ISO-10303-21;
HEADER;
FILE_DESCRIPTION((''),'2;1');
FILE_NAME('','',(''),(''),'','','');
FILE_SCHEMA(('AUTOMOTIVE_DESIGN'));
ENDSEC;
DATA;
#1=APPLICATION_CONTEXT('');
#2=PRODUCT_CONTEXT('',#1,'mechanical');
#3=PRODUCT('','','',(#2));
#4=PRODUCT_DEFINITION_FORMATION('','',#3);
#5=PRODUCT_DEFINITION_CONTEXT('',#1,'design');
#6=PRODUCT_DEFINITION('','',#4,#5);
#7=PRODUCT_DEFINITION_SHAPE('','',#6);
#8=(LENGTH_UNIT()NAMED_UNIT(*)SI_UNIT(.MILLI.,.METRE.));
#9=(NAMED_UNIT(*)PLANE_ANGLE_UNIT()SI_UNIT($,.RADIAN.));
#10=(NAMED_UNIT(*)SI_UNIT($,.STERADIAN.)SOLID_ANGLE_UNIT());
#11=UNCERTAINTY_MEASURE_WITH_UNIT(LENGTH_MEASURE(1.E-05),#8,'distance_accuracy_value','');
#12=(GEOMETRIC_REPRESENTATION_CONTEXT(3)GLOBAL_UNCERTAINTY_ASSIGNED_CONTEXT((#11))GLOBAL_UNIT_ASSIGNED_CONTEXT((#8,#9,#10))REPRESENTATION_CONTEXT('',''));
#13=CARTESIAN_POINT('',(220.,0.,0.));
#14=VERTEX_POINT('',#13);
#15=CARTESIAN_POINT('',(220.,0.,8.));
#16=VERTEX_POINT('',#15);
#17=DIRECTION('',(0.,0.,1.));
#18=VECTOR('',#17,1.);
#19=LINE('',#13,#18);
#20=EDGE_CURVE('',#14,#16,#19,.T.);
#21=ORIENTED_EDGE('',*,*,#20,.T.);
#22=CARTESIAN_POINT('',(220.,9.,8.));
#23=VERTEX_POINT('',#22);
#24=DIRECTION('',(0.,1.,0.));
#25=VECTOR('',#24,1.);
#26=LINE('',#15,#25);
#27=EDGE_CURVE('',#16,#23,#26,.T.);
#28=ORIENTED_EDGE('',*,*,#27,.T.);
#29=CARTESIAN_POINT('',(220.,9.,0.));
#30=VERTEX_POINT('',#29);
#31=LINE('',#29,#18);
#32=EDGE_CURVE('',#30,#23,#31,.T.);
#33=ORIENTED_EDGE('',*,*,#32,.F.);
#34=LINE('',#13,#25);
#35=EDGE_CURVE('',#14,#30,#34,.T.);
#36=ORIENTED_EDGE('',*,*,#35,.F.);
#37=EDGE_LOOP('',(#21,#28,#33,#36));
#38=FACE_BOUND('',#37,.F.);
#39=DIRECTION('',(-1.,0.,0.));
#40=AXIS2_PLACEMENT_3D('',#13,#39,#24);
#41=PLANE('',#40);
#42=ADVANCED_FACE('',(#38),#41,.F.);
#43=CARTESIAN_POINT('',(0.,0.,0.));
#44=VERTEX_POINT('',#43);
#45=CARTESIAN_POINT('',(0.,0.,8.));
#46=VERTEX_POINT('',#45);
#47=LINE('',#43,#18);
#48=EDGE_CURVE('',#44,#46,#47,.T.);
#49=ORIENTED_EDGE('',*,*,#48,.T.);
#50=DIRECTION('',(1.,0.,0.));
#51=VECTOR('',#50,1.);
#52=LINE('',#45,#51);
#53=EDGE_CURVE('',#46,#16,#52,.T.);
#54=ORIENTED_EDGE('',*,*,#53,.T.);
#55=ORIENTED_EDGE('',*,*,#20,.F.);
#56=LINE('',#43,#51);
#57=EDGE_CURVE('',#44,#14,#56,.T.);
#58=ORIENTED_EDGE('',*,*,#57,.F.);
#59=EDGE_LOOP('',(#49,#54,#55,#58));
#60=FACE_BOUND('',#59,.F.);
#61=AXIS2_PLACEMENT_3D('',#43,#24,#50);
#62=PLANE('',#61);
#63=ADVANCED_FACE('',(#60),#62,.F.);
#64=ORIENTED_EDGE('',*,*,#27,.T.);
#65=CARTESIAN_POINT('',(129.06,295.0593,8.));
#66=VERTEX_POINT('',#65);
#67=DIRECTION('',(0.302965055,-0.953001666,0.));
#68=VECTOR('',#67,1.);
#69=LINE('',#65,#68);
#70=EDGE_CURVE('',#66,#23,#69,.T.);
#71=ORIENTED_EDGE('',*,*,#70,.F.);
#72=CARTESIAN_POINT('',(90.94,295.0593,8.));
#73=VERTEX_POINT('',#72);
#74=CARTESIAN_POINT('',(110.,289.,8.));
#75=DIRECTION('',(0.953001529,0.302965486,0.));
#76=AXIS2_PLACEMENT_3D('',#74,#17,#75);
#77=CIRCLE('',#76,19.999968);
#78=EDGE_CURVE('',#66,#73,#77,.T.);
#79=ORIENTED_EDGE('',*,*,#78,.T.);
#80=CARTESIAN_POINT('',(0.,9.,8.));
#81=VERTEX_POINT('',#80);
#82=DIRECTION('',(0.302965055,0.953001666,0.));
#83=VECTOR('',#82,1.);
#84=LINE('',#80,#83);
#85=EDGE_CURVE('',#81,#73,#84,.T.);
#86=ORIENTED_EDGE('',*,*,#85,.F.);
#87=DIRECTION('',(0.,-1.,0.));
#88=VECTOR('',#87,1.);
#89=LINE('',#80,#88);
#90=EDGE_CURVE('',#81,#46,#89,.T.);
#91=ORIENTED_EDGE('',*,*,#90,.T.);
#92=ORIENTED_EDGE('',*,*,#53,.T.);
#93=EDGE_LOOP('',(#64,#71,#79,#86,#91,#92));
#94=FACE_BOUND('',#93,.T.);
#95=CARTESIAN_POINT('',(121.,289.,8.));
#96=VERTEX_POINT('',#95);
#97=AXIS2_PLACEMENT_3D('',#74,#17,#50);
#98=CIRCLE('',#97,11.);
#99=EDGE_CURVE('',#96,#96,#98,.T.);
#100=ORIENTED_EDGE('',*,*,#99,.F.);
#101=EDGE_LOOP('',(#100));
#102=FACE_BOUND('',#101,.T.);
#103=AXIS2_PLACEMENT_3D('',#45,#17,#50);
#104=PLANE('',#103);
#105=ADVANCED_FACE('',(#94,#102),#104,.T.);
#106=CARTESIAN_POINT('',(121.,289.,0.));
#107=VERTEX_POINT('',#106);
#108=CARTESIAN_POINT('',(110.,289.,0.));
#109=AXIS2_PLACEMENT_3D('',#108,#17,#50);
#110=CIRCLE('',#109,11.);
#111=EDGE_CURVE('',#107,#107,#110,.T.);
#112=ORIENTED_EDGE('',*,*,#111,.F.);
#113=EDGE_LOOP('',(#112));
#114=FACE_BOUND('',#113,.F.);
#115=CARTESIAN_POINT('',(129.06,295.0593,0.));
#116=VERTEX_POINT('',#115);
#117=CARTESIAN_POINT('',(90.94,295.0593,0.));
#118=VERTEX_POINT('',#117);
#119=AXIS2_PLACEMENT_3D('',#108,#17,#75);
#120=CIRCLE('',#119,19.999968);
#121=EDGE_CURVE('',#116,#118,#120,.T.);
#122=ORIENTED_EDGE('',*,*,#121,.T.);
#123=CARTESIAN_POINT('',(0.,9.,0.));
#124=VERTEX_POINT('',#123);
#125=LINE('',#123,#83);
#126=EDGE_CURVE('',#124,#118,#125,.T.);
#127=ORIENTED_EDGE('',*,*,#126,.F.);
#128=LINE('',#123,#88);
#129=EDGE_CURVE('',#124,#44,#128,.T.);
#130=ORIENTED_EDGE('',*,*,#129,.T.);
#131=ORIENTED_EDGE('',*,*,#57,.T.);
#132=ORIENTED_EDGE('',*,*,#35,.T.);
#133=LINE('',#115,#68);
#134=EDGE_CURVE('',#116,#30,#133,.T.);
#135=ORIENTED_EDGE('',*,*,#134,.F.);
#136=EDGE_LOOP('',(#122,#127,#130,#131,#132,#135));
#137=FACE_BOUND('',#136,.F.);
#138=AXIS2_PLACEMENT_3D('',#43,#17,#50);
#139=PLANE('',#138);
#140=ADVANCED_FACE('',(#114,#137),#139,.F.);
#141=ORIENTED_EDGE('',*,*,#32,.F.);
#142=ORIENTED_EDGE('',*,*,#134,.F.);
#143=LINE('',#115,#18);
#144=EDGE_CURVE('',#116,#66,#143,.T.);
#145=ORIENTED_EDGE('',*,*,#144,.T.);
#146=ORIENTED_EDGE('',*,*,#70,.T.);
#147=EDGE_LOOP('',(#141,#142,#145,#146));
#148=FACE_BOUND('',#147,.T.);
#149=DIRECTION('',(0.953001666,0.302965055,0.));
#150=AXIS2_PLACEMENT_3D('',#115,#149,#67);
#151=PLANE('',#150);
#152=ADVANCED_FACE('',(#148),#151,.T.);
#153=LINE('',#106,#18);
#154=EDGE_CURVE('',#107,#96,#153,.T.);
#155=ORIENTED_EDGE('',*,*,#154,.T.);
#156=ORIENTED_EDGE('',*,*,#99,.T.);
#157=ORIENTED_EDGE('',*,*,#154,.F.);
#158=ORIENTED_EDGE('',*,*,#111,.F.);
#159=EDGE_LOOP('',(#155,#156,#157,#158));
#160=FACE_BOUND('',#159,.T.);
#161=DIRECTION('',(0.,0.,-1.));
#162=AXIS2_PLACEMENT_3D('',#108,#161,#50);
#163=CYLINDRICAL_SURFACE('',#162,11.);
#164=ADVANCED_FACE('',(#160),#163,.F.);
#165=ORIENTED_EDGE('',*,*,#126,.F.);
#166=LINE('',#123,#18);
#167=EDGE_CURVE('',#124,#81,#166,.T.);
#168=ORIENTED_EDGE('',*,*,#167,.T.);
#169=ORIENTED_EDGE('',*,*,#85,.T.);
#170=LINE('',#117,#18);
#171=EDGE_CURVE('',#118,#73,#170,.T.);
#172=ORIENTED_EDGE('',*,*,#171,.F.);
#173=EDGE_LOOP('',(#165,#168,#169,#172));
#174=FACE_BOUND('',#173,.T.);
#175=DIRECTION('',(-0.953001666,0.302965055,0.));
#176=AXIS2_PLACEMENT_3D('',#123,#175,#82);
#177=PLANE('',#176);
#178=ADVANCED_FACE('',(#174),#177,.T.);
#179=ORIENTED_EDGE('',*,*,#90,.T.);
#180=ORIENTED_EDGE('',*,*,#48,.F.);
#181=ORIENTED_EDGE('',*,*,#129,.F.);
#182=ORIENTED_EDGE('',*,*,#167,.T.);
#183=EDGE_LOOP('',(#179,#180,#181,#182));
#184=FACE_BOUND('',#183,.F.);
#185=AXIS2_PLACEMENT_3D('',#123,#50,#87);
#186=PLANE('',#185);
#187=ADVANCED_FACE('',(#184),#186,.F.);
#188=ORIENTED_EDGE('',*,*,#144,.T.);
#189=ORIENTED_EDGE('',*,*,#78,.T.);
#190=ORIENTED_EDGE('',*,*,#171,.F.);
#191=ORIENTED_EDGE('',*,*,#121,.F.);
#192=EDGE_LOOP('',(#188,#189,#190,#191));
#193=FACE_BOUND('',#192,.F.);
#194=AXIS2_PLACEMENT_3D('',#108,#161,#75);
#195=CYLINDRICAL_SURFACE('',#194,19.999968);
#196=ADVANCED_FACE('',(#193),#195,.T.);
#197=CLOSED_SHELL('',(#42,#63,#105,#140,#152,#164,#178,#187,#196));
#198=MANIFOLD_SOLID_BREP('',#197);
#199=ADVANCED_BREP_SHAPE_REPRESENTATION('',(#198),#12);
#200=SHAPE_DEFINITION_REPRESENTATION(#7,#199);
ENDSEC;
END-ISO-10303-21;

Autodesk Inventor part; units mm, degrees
ref_plane "YZ Plane" through (0, 0, 0) normal (1, 0, 0) x (0, 1, 0)
ref_plane "XZ Plane" through (0, 0, 0) normal (0, 1, 0) x (-1, 0, 0)
ref_plane "XY Plane" through (0, 0, 0) normal (0, 0, 1) x (1, 0, 0)
sketch "Sketch1" plane through (0, 0, 0) normal (0, 0, 1) x (1, 0, 0)
  line L0 (0, 0) -> (220, 0)
  line L1 (220, 0) -> (220, 9)
  line L2 (220, 9) -> (0, 9)
  line L3 (0, 9) -> (0, 0)
  line L4 (0, 9) -> (90.94, 295.0593)
  line L5 (129.06, 295.0593) -> (220, 9)
  circle A0 centre (110, 289) radius 11
  line L6 (96.1101, 281.616) -> (103.5522, 305.0259) construction
  arc A1 (129.06, 295.0593) -> (90.94, 295.0593) centre (110, 289) ccw
  point P0 (110, 0)
  dimension "d0" = 9
  dimension "d1" = 220
  dimension "d2" = 22
  dimension "d3" = 280
  dimension "d4" = 9
extrude "Extrusion1" add sketch "Sketch1" along normal blind 8
properties part number "mount"
